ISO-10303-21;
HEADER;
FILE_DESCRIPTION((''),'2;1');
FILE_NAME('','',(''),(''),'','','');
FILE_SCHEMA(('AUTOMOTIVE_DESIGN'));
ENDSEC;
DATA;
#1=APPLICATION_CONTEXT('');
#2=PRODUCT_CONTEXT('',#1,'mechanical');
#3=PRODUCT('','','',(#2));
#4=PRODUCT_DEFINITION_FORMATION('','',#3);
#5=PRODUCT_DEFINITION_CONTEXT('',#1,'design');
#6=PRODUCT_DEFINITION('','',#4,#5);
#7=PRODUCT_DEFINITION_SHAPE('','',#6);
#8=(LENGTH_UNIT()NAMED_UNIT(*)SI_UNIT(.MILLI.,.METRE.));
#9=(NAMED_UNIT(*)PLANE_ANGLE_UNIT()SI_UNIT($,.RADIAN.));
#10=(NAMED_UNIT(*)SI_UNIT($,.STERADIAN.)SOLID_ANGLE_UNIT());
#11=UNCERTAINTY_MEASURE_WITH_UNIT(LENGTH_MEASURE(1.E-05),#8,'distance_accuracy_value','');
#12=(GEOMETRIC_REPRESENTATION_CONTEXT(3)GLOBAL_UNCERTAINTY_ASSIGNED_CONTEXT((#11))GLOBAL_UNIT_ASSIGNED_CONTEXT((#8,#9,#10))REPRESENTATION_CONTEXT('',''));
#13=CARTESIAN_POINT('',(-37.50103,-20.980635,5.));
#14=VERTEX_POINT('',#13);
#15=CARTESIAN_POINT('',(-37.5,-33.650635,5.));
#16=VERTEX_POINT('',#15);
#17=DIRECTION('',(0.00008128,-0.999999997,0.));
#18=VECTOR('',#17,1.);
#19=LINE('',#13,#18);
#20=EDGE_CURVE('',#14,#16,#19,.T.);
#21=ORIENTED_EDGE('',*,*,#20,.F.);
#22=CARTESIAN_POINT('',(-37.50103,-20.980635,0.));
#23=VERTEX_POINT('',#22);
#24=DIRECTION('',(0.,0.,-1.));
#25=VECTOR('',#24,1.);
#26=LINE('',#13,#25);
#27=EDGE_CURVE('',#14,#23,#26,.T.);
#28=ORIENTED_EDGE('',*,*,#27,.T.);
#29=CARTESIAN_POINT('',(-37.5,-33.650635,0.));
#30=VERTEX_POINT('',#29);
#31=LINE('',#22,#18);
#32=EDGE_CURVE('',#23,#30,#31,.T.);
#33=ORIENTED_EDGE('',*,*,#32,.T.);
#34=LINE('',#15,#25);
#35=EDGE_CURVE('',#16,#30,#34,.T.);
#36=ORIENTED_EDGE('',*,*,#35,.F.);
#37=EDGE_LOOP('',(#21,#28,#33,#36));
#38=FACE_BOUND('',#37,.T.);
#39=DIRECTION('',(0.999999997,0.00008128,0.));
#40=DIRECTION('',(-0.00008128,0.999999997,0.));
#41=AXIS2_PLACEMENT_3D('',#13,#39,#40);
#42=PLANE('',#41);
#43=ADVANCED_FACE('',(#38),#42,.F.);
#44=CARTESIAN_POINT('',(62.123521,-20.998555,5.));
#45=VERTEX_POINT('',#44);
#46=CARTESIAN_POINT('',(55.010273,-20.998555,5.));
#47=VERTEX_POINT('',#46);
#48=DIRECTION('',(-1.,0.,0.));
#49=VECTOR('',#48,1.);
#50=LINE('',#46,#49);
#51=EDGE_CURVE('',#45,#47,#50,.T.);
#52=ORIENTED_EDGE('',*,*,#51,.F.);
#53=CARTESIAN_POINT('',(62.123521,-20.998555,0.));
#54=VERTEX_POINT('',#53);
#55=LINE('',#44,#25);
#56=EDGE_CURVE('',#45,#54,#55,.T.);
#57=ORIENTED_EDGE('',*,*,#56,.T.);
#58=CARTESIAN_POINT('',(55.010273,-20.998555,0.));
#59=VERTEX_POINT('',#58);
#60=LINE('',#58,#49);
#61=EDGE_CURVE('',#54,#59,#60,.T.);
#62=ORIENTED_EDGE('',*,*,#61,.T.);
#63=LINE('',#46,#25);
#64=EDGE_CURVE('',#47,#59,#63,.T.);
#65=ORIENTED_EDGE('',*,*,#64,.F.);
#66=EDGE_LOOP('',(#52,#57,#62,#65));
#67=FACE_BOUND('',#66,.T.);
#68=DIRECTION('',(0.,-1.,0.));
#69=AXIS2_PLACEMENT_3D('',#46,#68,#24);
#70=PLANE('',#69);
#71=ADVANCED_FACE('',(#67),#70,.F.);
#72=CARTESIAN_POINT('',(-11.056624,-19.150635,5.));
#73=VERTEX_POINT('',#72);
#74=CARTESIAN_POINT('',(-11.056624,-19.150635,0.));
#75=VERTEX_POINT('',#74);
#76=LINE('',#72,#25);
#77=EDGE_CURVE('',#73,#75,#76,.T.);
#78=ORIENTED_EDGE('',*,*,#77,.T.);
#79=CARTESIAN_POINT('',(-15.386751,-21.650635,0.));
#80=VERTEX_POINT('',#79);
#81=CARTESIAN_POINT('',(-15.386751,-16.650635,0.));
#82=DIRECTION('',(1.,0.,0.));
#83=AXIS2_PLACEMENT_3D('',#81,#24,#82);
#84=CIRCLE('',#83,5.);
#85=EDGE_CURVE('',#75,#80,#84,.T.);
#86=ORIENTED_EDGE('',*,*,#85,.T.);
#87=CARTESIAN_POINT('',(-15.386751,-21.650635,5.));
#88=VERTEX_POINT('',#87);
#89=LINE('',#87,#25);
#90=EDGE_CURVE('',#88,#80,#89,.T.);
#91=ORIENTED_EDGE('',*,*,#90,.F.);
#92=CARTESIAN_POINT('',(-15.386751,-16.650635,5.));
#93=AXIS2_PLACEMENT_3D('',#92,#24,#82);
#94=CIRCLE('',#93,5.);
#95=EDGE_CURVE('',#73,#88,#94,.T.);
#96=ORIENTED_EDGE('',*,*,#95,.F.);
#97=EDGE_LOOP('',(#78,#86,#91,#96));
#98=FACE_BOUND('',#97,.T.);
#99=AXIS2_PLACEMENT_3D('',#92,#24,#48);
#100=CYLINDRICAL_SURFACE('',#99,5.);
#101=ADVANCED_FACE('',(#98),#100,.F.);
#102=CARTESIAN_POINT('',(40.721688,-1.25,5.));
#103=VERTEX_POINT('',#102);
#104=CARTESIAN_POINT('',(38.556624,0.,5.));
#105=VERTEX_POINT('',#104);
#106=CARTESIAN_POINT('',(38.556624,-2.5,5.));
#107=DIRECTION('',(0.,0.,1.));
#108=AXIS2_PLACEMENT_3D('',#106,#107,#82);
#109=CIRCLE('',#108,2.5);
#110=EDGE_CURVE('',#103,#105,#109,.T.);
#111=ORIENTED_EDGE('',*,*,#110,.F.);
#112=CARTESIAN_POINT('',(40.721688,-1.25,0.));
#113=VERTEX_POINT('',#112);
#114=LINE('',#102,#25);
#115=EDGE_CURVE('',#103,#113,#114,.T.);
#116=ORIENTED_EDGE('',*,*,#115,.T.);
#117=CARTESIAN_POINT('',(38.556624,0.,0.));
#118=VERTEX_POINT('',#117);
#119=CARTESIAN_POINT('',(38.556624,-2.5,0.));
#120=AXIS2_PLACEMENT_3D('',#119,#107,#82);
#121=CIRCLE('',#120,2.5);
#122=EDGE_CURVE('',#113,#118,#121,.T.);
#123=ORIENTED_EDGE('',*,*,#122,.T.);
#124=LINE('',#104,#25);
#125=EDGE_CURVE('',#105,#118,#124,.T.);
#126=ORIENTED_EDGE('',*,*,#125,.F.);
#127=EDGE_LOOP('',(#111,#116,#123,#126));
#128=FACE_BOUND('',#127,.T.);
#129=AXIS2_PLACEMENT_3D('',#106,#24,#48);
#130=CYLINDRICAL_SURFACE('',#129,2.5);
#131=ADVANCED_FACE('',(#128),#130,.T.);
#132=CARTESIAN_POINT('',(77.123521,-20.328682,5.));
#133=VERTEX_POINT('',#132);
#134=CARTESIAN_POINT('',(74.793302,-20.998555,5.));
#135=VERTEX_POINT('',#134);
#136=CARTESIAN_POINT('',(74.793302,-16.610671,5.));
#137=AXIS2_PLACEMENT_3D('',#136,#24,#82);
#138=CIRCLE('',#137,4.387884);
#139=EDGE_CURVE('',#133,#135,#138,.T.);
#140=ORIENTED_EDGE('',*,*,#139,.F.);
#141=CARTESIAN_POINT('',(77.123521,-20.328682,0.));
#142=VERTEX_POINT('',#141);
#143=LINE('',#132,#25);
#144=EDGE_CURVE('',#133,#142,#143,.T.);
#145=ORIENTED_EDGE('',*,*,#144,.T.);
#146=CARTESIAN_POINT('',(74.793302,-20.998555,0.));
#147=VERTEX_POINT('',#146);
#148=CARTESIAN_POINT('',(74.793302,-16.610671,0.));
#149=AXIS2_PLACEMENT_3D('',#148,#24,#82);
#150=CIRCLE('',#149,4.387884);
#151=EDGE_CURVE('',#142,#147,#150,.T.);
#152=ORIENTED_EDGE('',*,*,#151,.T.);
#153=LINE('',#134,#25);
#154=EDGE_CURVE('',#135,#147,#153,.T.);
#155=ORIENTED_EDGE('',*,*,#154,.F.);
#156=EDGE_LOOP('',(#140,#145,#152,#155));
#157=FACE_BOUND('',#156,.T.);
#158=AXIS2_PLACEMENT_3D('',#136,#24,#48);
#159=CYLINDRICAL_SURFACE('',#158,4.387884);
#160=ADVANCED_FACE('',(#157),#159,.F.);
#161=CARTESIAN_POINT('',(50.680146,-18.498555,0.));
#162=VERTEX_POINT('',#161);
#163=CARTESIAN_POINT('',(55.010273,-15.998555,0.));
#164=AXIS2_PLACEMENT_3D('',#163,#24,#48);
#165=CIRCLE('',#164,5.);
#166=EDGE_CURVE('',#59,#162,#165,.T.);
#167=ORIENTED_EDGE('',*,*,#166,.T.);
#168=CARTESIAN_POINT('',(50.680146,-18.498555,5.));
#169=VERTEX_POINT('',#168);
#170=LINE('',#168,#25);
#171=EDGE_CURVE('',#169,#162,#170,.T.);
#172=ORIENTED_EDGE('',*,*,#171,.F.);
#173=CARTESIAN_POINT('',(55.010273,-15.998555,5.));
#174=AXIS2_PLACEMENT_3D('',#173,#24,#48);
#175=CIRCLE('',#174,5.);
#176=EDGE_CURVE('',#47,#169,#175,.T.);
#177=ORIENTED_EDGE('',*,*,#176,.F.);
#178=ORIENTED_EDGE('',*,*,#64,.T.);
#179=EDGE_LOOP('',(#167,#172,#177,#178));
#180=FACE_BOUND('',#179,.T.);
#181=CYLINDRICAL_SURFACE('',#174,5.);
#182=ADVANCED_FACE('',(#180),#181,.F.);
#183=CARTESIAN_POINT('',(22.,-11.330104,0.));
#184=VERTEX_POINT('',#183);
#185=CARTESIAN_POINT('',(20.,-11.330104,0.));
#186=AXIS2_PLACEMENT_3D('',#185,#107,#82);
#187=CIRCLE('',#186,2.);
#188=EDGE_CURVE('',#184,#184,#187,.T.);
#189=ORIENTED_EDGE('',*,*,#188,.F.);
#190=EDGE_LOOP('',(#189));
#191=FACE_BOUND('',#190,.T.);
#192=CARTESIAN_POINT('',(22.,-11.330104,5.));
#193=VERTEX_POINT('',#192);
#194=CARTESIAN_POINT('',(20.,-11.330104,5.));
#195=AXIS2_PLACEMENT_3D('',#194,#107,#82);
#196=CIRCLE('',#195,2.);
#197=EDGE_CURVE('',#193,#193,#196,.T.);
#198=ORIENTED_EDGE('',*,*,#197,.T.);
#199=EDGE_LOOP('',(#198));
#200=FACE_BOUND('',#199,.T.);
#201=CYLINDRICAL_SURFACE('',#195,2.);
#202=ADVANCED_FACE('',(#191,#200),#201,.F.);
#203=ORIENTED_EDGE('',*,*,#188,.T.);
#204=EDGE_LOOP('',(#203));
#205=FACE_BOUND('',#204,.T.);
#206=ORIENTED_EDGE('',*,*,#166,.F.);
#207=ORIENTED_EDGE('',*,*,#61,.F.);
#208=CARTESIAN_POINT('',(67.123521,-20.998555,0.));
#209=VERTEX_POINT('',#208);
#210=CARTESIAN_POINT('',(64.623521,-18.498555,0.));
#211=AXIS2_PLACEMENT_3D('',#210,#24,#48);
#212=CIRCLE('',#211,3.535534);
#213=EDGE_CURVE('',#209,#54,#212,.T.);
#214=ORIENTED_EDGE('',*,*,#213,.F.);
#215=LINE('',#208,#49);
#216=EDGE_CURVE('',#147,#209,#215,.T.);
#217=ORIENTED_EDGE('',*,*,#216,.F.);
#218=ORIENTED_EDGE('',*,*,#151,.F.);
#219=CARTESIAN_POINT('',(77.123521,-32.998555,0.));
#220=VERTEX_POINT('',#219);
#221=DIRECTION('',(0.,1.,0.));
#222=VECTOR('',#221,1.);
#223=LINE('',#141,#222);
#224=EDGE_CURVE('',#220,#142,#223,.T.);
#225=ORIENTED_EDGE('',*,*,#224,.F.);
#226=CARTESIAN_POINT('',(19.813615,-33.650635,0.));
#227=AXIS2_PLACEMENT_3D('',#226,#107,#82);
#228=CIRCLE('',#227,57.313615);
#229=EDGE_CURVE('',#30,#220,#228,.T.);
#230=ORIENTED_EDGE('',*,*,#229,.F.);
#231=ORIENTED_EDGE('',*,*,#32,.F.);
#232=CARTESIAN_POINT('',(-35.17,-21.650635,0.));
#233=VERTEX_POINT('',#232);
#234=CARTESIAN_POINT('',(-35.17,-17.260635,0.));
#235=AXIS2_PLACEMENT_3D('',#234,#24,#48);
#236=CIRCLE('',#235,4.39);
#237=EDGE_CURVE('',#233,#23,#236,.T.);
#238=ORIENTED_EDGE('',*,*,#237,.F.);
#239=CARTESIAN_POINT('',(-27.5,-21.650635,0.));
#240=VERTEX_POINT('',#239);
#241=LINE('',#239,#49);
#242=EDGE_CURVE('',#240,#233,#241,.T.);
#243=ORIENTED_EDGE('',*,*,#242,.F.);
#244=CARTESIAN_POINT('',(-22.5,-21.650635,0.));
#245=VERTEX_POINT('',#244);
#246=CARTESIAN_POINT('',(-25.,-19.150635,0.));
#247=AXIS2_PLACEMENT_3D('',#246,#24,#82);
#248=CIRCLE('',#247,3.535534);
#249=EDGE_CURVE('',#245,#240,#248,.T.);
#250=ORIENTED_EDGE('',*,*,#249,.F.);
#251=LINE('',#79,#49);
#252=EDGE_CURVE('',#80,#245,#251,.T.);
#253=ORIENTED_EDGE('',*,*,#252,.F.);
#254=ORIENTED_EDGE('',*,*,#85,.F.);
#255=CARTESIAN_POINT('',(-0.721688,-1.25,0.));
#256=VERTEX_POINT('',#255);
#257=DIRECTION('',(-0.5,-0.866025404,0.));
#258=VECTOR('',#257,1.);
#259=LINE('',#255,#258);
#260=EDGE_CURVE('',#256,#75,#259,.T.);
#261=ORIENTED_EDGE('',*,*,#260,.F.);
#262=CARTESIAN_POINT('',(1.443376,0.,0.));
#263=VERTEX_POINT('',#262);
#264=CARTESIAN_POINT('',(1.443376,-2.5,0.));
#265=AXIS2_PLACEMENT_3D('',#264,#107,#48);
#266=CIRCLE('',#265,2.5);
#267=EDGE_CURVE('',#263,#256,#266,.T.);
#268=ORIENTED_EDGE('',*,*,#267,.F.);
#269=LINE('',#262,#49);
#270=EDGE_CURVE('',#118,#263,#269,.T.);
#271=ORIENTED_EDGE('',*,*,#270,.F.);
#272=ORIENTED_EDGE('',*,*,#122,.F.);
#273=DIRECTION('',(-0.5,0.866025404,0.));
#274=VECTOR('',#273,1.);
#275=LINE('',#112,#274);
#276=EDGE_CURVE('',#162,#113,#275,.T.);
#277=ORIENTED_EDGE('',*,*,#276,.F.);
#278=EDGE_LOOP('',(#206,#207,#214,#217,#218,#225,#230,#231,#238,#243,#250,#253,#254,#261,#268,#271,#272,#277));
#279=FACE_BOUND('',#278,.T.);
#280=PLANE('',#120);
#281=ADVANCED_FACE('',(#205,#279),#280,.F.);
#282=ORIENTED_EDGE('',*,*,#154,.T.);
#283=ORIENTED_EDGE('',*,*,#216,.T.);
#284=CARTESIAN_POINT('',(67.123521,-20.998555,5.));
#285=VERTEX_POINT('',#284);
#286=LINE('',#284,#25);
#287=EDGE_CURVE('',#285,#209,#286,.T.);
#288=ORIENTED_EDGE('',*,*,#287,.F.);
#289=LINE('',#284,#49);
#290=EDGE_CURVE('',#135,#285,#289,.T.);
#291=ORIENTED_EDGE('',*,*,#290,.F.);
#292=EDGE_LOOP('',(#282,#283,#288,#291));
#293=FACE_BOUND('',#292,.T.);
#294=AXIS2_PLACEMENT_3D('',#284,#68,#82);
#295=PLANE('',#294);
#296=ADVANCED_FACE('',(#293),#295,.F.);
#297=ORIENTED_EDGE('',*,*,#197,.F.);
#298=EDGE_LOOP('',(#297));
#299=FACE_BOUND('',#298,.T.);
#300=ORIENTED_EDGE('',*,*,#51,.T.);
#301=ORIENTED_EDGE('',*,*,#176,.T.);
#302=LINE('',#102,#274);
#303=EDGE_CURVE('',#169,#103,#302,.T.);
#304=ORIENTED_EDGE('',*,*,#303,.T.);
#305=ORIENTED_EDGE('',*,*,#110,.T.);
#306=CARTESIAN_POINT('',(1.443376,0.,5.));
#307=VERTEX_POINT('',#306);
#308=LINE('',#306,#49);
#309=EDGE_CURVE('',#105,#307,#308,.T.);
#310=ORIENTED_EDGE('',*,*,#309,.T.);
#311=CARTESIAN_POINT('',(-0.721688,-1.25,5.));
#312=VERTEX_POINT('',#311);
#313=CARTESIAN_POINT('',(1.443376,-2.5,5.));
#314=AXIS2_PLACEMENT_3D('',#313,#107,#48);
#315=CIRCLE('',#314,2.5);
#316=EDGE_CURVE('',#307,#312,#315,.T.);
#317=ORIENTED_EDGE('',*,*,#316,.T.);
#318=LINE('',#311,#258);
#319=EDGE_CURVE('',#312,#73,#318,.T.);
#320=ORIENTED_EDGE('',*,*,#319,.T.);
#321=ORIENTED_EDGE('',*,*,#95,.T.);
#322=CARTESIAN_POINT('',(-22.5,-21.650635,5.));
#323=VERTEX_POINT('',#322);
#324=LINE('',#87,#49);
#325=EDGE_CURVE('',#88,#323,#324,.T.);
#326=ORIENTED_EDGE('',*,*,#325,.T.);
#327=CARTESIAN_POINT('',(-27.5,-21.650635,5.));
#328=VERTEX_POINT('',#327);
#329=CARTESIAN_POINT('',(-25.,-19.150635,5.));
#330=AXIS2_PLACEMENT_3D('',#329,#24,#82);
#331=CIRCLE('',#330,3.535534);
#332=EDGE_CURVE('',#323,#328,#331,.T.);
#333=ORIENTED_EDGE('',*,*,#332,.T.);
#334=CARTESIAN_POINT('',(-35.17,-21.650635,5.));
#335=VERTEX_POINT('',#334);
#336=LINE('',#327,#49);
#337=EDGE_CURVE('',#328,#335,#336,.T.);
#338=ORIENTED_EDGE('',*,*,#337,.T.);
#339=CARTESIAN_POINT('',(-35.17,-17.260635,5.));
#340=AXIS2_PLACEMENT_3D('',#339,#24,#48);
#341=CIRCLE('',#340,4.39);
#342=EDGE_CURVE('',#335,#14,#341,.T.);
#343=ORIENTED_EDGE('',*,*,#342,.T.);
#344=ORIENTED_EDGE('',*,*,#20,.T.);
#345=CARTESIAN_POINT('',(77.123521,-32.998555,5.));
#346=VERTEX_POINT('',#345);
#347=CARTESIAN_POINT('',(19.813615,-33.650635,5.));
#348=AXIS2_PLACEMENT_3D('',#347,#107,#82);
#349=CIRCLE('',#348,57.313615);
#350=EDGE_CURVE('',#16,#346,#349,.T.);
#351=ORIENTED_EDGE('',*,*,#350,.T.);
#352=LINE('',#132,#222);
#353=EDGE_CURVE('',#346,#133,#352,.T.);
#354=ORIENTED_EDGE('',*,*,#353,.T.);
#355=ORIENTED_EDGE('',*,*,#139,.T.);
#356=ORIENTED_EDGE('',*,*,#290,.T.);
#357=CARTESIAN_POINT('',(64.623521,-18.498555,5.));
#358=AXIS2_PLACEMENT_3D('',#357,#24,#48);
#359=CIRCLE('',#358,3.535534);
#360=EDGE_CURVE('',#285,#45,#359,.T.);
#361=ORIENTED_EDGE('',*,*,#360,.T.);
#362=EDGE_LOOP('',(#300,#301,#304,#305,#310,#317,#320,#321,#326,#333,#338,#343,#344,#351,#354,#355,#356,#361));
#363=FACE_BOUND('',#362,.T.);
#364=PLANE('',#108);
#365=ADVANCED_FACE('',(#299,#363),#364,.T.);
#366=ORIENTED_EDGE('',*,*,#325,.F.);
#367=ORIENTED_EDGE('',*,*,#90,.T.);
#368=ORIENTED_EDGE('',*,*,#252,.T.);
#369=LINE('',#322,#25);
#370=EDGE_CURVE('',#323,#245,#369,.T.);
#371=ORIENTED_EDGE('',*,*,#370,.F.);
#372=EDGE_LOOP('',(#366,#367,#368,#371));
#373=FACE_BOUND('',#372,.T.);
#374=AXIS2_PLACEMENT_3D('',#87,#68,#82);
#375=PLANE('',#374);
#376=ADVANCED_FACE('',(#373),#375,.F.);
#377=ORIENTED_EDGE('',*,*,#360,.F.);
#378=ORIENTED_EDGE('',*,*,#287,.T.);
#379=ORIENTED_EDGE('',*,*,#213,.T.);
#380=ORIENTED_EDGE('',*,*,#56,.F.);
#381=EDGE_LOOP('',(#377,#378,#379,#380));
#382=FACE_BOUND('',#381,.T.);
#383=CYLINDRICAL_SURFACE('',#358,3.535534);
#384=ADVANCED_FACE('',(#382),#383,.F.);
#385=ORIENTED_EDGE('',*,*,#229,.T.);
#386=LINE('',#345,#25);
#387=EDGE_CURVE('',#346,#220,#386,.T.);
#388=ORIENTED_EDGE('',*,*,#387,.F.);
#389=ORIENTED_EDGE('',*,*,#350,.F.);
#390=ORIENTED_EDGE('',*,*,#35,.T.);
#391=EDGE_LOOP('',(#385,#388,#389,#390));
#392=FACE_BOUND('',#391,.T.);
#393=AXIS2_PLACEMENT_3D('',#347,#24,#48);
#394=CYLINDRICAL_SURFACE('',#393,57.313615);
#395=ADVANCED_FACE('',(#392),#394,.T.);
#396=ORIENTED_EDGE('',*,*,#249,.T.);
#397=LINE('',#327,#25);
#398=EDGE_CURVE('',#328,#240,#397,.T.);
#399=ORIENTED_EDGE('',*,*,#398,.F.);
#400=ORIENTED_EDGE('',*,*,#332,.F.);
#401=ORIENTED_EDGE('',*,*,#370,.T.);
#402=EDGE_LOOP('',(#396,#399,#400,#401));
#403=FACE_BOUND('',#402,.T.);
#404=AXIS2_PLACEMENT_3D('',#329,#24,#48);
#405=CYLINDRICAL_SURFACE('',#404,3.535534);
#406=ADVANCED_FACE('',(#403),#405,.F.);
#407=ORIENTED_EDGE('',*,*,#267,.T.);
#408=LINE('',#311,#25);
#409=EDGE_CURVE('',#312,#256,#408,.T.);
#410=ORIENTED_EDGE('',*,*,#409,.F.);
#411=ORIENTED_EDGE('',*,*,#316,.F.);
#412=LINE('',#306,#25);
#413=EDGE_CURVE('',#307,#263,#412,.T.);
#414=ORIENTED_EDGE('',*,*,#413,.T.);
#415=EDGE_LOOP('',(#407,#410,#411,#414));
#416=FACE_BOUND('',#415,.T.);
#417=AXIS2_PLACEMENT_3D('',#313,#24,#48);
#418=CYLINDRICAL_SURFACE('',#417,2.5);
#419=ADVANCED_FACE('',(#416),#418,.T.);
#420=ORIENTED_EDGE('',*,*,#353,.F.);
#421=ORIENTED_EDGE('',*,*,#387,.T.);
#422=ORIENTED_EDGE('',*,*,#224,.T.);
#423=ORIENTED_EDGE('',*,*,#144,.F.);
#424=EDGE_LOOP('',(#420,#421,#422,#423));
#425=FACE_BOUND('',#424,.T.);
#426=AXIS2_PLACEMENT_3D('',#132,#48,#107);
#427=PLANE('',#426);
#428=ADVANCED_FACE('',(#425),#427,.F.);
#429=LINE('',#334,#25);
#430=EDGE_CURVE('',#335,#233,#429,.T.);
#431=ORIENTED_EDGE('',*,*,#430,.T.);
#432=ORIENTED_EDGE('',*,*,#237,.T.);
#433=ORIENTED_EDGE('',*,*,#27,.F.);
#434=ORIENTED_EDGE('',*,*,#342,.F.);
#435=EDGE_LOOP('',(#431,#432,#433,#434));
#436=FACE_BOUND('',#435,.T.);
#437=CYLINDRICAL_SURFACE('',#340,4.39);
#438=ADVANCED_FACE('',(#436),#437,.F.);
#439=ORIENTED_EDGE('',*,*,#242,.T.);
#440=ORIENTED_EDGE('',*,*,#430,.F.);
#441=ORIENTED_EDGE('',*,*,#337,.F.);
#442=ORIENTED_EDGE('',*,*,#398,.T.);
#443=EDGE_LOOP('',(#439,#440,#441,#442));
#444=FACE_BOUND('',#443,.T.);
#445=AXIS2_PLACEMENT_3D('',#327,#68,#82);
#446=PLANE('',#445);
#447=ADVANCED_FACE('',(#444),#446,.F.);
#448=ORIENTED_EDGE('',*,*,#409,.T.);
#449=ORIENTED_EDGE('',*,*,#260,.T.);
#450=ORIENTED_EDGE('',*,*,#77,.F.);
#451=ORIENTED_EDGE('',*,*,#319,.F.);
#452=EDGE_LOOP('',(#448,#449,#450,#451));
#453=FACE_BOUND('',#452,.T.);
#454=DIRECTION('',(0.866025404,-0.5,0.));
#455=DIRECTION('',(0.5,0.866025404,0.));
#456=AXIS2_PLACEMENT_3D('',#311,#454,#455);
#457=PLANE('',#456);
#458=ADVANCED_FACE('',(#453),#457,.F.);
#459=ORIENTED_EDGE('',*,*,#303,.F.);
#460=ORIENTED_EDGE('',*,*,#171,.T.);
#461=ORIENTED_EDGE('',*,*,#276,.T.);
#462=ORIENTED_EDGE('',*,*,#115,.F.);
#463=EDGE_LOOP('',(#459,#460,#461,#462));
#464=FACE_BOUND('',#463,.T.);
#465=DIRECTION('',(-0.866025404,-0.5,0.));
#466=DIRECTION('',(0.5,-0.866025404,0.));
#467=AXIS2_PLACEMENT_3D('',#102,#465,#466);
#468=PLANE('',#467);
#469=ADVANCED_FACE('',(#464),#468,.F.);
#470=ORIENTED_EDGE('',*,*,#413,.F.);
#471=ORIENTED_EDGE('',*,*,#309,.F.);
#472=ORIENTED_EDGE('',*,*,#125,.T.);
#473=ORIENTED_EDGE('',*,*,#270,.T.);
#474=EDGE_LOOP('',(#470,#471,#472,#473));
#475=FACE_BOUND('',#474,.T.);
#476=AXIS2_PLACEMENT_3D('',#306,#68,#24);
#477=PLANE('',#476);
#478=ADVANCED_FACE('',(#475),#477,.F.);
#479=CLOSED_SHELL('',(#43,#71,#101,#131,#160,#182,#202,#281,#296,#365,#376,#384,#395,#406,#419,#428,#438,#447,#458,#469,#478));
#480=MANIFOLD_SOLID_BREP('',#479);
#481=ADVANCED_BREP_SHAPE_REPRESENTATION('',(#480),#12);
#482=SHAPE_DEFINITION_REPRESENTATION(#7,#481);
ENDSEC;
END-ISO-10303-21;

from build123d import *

# Parameters (mm, degrees)
AUFSATZ_LINEAR_AUSTRAGEN1_DEPTH    = 5
F_4_0_4_DURCHMESSER_BOHRUNG1_D     = 4
F_4_0_4_DURCHMESSER_BOHRUNG1_DEPTH = 5
F_4_0_4_DURCHMESSER_BOHRUNG1_TIP   = 1.201721238


with BuildPart() as part:
    # Skizze2 → Aufsatz-Linear austragen1 (new body)
    with BuildSketch(Plane.XY):
        with BuildLine():
            Line((1.443375673, 0), (38.556624327, 0))
            ThreePointArc((38.556624327, 0), (39.806624327, -0.334936491), (40.721687836, -1.25))
            Line((40.721687836, -1.25), (50.680145631, -18.498554865))
            ThreePointArc((50.680145631, -18.498554865), (52.51027265, -20.328681884), (55.01027265, -20.998554865))
            Line((55.01027265, -20.998554865), (62.123521304, -20.998554865))
            ThreePointArc((62.123521304, -20.998554865), (64.623521304, -22.034088771), (67.123521304, -20.998554865))
            Line((67.123521304, -20.998554865), (74.793302349, -20.998554865))
            ThreePointArc((74.793302349, -20.998554865), (76.005598743, -20.827762698), (77.123521304, -20.328681884))
            Line((77.123521304, -20.328681884), (77.123521304, -32.998554865))
            ThreePointArc((77.123521304, -32.998554865), (20.139660848, -90.963323142), (-37.5, -33.650635095))
            Line((-37.5, -33.650635095), (-37.501029815, -20.980635095))
            ThreePointArc((-37.501029815, -20.980635095), (-36.382703591, -21.479811555), (-35.17, -21.650635095))
            Line((-35.17, -21.650635095), (-27.5, -21.650635095))
            ThreePointArc((-27.5, -21.650635095), (-25, -22.686169001), (-22.5, -21.650635095))
            Line((-22.5, -21.650635095), (-15.386751346, -21.650635095))
            ThreePointArc((-15.386751346, -21.650635095), (-12.886751346, -20.980762114), (-11.056624327, -19.150635095))
            Line((-11.056624327, -19.150635095), (-0.721687836, -1.25))
            ThreePointArc((-0.721687836, -1.25), (0.193375673, -0.334936491), (1.443375673, 0))
        make_face()
    extrude(amount=AUFSATZ_LINEAR_AUSTRAGEN1_DEPTH)

    # Ø4.0 (4) Durchmesser Bohrung1
    with Locations(Plane.XY.offset(5)):
        with Locations((20, -11.330104149)):
            Hole(F_4_0_4_DURCHMESSER_BOHRUNG1_D / 2, depth=F_4_0_4_DURCHMESSER_BOHRUNG1_DEPTH)
            with Locations((0, 0, -(F_4_0_4_DURCHMESSER_BOHRUNG1_DEPTH + F_4_0_4_DURCHMESSER_BOHRUNG1_TIP / 2))):  # 118° drill point
                Cone(0, F_4_0_4_DURCHMESSER_BOHRUNG1_D / 2, F_4_0_4_DURCHMESSER_BOHRUNG1_TIP, mode=Mode.SUBTRACT)


solid = part.part
